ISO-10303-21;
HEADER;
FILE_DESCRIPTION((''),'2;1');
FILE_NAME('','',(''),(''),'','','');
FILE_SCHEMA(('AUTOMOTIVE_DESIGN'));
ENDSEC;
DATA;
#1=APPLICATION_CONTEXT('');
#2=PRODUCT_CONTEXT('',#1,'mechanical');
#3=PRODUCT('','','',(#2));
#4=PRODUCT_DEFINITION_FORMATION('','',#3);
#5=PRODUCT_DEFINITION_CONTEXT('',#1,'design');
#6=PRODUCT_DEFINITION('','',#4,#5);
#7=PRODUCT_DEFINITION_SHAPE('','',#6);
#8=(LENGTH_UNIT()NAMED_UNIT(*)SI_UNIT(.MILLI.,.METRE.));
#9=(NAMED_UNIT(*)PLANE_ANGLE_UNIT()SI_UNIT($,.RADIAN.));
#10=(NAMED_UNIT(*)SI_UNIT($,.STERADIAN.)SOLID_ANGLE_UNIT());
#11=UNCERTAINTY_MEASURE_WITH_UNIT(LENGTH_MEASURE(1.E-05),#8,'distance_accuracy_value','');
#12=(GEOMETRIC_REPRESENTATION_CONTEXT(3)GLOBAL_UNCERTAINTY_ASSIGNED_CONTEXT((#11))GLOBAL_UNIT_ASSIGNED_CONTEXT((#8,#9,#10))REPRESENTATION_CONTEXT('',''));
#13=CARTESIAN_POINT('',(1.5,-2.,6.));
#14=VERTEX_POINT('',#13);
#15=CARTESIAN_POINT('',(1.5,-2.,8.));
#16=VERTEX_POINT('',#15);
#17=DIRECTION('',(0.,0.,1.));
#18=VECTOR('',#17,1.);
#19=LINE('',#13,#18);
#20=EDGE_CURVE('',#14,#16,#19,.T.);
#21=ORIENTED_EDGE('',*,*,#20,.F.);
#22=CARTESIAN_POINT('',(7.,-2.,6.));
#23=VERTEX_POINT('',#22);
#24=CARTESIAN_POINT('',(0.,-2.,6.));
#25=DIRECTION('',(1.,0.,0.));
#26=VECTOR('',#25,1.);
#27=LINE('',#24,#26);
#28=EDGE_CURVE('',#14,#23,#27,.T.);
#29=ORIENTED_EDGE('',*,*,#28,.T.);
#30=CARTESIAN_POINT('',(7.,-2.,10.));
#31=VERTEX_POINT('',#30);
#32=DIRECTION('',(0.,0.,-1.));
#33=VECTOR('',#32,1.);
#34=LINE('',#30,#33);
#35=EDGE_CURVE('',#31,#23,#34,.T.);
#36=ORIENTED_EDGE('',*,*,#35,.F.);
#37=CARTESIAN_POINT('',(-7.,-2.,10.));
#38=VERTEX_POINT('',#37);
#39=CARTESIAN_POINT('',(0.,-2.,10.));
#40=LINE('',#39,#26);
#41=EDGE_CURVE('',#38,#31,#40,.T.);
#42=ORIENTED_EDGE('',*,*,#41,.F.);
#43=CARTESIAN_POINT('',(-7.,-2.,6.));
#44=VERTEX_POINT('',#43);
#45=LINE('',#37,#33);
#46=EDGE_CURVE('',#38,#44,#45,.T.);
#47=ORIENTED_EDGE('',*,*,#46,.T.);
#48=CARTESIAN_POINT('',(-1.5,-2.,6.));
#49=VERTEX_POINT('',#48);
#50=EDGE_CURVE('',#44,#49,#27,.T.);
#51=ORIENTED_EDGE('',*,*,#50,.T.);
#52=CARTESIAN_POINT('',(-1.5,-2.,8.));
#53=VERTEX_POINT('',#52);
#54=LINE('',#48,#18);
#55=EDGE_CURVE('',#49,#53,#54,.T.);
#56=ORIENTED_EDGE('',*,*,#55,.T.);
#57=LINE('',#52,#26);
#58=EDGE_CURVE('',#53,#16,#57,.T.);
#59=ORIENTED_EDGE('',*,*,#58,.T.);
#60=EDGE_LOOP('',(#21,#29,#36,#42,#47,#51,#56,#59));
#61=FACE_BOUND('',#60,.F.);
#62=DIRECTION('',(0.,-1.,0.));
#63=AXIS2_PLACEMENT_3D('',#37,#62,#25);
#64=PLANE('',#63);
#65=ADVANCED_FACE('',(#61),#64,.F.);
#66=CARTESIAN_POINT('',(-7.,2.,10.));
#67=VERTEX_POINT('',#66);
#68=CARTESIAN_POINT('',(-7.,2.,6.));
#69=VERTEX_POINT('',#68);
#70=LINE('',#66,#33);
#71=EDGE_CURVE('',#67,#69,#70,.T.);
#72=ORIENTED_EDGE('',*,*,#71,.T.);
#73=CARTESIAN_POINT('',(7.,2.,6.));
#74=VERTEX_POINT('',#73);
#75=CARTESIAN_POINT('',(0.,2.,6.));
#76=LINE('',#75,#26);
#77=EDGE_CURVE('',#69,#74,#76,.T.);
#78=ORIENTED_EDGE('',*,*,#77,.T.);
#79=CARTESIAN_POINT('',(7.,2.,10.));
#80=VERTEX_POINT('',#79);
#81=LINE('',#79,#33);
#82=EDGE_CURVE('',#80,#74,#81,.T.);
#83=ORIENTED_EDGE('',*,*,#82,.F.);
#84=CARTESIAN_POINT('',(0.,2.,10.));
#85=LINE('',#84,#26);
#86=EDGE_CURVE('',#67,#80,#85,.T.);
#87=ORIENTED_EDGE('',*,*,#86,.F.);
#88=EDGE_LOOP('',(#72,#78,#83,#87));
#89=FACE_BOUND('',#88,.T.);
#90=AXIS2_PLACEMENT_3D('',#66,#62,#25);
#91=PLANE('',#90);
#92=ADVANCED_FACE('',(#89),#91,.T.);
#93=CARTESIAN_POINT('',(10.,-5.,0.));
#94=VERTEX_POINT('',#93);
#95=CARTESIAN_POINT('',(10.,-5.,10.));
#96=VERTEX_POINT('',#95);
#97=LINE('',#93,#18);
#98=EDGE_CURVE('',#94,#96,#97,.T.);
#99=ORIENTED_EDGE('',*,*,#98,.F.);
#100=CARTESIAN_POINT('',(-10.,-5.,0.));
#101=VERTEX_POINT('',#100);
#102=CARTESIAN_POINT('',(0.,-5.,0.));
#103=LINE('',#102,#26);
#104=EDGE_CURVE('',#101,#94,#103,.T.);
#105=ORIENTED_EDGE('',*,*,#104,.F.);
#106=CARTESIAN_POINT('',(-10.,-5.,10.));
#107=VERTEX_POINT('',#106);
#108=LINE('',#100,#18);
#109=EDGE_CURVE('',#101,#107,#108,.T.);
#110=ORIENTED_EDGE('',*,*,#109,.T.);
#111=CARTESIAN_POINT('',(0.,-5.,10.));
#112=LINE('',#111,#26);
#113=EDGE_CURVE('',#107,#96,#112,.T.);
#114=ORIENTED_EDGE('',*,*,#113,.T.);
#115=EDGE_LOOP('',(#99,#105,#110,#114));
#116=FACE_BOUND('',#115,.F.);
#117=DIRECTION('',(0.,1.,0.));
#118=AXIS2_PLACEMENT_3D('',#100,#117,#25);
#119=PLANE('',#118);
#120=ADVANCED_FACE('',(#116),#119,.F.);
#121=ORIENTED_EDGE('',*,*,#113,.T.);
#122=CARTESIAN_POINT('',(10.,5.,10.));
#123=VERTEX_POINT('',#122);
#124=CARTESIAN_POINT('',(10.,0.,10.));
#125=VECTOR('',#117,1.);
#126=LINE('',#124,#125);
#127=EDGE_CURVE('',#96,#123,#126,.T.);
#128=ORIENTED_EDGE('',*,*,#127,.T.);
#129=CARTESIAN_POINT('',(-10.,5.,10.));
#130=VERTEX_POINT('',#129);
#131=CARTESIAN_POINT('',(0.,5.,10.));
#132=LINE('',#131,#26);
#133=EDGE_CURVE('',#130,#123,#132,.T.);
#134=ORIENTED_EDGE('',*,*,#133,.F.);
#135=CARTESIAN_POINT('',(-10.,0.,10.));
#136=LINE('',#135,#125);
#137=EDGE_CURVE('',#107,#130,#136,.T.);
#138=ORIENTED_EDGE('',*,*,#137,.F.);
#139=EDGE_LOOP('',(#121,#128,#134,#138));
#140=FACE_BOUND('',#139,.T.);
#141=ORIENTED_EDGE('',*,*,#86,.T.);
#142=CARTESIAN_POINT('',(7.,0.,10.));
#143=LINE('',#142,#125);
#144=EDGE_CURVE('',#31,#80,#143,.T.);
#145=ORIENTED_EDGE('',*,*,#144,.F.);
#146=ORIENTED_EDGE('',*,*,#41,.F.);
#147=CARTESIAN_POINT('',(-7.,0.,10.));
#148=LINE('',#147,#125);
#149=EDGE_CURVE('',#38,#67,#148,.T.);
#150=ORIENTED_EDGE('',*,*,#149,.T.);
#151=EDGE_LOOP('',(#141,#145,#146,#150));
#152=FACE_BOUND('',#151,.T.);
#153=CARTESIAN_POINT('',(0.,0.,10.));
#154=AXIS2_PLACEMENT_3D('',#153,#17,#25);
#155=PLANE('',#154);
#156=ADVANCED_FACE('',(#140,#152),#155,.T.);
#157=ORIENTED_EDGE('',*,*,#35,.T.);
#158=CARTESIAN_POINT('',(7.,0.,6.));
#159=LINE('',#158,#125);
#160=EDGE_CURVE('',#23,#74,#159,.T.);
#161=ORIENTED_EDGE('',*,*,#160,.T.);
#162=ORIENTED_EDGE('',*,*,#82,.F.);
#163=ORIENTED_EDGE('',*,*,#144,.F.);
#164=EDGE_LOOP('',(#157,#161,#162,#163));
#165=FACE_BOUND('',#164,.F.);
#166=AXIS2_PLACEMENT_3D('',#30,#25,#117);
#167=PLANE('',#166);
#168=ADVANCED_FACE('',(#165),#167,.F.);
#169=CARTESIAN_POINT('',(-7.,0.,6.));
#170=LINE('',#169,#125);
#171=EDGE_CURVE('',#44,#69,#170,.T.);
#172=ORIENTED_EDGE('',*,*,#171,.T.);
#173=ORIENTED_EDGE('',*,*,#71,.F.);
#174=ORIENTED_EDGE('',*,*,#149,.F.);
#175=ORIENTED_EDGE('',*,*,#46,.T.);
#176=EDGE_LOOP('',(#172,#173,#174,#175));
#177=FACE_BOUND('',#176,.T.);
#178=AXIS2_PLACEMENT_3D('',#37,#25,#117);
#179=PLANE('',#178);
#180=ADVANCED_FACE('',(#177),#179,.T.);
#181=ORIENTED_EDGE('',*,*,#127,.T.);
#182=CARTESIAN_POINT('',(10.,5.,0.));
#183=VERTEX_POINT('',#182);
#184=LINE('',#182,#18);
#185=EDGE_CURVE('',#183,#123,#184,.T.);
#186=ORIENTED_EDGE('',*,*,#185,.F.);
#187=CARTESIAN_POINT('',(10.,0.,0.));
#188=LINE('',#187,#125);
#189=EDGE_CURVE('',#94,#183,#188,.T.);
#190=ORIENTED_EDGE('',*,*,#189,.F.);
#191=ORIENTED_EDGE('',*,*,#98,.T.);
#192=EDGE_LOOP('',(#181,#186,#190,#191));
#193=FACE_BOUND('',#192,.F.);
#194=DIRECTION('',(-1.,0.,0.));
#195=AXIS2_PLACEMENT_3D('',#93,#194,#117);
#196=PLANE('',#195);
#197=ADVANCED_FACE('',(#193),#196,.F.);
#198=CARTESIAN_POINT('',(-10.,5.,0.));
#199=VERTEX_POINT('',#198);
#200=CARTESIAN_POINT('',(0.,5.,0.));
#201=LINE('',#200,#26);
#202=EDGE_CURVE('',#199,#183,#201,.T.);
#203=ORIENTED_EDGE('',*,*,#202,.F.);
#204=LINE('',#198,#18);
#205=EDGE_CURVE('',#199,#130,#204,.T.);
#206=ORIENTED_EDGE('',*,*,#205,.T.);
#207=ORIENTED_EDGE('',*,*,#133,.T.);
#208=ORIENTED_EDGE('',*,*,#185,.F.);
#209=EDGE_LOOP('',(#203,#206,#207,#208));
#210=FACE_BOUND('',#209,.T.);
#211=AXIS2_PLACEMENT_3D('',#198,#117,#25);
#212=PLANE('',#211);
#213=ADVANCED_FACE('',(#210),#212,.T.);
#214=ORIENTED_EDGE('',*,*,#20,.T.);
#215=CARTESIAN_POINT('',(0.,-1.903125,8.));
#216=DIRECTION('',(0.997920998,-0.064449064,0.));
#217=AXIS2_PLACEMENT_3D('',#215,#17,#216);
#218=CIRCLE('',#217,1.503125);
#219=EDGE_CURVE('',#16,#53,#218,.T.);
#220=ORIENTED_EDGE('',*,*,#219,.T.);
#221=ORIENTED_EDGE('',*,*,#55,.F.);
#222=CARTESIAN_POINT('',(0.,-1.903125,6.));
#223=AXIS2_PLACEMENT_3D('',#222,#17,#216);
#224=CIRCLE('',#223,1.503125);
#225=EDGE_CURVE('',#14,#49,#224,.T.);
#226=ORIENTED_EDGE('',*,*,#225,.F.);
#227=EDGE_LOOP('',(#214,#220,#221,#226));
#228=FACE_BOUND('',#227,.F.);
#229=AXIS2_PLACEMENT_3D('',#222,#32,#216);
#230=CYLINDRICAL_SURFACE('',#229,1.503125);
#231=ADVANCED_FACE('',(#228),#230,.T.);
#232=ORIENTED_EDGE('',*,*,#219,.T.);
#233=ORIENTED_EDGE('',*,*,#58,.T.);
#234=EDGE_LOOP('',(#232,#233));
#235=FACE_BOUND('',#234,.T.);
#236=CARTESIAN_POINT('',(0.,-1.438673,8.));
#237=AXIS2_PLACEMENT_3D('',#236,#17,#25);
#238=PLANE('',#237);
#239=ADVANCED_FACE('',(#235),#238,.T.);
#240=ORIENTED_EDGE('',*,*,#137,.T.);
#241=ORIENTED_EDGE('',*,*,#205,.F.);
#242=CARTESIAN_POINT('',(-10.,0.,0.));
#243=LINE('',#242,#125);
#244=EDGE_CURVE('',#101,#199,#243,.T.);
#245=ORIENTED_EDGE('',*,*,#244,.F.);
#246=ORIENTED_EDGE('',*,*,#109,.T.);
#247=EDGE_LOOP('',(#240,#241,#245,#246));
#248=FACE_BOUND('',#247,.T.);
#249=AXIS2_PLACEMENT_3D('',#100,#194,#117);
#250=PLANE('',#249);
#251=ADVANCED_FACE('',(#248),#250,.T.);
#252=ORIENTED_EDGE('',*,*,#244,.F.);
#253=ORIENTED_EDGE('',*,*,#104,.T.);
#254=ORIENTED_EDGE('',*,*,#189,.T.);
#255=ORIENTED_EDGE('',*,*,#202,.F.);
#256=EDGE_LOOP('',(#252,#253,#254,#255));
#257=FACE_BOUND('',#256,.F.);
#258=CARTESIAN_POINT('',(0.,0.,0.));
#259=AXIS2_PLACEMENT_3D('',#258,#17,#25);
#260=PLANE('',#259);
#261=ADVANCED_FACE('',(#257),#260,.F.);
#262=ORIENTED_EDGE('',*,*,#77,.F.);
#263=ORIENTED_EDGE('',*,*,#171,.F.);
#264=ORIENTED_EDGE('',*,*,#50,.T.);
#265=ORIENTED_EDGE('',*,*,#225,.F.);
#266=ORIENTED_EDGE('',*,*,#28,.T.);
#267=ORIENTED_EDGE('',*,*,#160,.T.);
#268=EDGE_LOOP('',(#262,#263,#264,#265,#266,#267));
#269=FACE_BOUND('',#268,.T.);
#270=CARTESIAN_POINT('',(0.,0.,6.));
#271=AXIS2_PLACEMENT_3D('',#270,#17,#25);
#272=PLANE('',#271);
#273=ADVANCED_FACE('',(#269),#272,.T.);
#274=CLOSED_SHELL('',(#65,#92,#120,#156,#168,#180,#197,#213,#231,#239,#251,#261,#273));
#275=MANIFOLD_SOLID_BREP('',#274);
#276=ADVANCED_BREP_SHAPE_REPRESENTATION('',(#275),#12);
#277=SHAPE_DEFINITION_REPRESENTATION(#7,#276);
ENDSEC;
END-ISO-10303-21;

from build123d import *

# Parameters (mm, degrees)
F0_W     = 20
F0_H     = 10
F1_DEPTH = 10
F2_W     = 14
F2_H     = 4
F3_DEPTH = 4
F5_DEPTH = 2


with BuildPart() as f1:
    # F0 (on Top) → F1 (new body)
    with BuildSketch(Plane.XY):
        Rectangle(F0_W, F0_H)
    extrude(amount=F1_DEPTH)

    # F2 (on face) → F3 (cut)
    with BuildSketch(Plane.XY.offset(10)):
        Rectangle(F2_W, F2_H)
    extrude(amount=-F3_DEPTH, mode=Mode.SUBTRACT)

    # F4 (on face) → F5 (join)
    with BuildSketch(Plane.XY.offset(6)):
        with BuildLine():
            Line((-1.5, -2), (1.5, -2))
            ThreePointArc((1.5, -2), (0, -0.4), (-1.5, -2))
        make_face()
    extrude(amount=F5_DEPTH)


solid = f1.part
